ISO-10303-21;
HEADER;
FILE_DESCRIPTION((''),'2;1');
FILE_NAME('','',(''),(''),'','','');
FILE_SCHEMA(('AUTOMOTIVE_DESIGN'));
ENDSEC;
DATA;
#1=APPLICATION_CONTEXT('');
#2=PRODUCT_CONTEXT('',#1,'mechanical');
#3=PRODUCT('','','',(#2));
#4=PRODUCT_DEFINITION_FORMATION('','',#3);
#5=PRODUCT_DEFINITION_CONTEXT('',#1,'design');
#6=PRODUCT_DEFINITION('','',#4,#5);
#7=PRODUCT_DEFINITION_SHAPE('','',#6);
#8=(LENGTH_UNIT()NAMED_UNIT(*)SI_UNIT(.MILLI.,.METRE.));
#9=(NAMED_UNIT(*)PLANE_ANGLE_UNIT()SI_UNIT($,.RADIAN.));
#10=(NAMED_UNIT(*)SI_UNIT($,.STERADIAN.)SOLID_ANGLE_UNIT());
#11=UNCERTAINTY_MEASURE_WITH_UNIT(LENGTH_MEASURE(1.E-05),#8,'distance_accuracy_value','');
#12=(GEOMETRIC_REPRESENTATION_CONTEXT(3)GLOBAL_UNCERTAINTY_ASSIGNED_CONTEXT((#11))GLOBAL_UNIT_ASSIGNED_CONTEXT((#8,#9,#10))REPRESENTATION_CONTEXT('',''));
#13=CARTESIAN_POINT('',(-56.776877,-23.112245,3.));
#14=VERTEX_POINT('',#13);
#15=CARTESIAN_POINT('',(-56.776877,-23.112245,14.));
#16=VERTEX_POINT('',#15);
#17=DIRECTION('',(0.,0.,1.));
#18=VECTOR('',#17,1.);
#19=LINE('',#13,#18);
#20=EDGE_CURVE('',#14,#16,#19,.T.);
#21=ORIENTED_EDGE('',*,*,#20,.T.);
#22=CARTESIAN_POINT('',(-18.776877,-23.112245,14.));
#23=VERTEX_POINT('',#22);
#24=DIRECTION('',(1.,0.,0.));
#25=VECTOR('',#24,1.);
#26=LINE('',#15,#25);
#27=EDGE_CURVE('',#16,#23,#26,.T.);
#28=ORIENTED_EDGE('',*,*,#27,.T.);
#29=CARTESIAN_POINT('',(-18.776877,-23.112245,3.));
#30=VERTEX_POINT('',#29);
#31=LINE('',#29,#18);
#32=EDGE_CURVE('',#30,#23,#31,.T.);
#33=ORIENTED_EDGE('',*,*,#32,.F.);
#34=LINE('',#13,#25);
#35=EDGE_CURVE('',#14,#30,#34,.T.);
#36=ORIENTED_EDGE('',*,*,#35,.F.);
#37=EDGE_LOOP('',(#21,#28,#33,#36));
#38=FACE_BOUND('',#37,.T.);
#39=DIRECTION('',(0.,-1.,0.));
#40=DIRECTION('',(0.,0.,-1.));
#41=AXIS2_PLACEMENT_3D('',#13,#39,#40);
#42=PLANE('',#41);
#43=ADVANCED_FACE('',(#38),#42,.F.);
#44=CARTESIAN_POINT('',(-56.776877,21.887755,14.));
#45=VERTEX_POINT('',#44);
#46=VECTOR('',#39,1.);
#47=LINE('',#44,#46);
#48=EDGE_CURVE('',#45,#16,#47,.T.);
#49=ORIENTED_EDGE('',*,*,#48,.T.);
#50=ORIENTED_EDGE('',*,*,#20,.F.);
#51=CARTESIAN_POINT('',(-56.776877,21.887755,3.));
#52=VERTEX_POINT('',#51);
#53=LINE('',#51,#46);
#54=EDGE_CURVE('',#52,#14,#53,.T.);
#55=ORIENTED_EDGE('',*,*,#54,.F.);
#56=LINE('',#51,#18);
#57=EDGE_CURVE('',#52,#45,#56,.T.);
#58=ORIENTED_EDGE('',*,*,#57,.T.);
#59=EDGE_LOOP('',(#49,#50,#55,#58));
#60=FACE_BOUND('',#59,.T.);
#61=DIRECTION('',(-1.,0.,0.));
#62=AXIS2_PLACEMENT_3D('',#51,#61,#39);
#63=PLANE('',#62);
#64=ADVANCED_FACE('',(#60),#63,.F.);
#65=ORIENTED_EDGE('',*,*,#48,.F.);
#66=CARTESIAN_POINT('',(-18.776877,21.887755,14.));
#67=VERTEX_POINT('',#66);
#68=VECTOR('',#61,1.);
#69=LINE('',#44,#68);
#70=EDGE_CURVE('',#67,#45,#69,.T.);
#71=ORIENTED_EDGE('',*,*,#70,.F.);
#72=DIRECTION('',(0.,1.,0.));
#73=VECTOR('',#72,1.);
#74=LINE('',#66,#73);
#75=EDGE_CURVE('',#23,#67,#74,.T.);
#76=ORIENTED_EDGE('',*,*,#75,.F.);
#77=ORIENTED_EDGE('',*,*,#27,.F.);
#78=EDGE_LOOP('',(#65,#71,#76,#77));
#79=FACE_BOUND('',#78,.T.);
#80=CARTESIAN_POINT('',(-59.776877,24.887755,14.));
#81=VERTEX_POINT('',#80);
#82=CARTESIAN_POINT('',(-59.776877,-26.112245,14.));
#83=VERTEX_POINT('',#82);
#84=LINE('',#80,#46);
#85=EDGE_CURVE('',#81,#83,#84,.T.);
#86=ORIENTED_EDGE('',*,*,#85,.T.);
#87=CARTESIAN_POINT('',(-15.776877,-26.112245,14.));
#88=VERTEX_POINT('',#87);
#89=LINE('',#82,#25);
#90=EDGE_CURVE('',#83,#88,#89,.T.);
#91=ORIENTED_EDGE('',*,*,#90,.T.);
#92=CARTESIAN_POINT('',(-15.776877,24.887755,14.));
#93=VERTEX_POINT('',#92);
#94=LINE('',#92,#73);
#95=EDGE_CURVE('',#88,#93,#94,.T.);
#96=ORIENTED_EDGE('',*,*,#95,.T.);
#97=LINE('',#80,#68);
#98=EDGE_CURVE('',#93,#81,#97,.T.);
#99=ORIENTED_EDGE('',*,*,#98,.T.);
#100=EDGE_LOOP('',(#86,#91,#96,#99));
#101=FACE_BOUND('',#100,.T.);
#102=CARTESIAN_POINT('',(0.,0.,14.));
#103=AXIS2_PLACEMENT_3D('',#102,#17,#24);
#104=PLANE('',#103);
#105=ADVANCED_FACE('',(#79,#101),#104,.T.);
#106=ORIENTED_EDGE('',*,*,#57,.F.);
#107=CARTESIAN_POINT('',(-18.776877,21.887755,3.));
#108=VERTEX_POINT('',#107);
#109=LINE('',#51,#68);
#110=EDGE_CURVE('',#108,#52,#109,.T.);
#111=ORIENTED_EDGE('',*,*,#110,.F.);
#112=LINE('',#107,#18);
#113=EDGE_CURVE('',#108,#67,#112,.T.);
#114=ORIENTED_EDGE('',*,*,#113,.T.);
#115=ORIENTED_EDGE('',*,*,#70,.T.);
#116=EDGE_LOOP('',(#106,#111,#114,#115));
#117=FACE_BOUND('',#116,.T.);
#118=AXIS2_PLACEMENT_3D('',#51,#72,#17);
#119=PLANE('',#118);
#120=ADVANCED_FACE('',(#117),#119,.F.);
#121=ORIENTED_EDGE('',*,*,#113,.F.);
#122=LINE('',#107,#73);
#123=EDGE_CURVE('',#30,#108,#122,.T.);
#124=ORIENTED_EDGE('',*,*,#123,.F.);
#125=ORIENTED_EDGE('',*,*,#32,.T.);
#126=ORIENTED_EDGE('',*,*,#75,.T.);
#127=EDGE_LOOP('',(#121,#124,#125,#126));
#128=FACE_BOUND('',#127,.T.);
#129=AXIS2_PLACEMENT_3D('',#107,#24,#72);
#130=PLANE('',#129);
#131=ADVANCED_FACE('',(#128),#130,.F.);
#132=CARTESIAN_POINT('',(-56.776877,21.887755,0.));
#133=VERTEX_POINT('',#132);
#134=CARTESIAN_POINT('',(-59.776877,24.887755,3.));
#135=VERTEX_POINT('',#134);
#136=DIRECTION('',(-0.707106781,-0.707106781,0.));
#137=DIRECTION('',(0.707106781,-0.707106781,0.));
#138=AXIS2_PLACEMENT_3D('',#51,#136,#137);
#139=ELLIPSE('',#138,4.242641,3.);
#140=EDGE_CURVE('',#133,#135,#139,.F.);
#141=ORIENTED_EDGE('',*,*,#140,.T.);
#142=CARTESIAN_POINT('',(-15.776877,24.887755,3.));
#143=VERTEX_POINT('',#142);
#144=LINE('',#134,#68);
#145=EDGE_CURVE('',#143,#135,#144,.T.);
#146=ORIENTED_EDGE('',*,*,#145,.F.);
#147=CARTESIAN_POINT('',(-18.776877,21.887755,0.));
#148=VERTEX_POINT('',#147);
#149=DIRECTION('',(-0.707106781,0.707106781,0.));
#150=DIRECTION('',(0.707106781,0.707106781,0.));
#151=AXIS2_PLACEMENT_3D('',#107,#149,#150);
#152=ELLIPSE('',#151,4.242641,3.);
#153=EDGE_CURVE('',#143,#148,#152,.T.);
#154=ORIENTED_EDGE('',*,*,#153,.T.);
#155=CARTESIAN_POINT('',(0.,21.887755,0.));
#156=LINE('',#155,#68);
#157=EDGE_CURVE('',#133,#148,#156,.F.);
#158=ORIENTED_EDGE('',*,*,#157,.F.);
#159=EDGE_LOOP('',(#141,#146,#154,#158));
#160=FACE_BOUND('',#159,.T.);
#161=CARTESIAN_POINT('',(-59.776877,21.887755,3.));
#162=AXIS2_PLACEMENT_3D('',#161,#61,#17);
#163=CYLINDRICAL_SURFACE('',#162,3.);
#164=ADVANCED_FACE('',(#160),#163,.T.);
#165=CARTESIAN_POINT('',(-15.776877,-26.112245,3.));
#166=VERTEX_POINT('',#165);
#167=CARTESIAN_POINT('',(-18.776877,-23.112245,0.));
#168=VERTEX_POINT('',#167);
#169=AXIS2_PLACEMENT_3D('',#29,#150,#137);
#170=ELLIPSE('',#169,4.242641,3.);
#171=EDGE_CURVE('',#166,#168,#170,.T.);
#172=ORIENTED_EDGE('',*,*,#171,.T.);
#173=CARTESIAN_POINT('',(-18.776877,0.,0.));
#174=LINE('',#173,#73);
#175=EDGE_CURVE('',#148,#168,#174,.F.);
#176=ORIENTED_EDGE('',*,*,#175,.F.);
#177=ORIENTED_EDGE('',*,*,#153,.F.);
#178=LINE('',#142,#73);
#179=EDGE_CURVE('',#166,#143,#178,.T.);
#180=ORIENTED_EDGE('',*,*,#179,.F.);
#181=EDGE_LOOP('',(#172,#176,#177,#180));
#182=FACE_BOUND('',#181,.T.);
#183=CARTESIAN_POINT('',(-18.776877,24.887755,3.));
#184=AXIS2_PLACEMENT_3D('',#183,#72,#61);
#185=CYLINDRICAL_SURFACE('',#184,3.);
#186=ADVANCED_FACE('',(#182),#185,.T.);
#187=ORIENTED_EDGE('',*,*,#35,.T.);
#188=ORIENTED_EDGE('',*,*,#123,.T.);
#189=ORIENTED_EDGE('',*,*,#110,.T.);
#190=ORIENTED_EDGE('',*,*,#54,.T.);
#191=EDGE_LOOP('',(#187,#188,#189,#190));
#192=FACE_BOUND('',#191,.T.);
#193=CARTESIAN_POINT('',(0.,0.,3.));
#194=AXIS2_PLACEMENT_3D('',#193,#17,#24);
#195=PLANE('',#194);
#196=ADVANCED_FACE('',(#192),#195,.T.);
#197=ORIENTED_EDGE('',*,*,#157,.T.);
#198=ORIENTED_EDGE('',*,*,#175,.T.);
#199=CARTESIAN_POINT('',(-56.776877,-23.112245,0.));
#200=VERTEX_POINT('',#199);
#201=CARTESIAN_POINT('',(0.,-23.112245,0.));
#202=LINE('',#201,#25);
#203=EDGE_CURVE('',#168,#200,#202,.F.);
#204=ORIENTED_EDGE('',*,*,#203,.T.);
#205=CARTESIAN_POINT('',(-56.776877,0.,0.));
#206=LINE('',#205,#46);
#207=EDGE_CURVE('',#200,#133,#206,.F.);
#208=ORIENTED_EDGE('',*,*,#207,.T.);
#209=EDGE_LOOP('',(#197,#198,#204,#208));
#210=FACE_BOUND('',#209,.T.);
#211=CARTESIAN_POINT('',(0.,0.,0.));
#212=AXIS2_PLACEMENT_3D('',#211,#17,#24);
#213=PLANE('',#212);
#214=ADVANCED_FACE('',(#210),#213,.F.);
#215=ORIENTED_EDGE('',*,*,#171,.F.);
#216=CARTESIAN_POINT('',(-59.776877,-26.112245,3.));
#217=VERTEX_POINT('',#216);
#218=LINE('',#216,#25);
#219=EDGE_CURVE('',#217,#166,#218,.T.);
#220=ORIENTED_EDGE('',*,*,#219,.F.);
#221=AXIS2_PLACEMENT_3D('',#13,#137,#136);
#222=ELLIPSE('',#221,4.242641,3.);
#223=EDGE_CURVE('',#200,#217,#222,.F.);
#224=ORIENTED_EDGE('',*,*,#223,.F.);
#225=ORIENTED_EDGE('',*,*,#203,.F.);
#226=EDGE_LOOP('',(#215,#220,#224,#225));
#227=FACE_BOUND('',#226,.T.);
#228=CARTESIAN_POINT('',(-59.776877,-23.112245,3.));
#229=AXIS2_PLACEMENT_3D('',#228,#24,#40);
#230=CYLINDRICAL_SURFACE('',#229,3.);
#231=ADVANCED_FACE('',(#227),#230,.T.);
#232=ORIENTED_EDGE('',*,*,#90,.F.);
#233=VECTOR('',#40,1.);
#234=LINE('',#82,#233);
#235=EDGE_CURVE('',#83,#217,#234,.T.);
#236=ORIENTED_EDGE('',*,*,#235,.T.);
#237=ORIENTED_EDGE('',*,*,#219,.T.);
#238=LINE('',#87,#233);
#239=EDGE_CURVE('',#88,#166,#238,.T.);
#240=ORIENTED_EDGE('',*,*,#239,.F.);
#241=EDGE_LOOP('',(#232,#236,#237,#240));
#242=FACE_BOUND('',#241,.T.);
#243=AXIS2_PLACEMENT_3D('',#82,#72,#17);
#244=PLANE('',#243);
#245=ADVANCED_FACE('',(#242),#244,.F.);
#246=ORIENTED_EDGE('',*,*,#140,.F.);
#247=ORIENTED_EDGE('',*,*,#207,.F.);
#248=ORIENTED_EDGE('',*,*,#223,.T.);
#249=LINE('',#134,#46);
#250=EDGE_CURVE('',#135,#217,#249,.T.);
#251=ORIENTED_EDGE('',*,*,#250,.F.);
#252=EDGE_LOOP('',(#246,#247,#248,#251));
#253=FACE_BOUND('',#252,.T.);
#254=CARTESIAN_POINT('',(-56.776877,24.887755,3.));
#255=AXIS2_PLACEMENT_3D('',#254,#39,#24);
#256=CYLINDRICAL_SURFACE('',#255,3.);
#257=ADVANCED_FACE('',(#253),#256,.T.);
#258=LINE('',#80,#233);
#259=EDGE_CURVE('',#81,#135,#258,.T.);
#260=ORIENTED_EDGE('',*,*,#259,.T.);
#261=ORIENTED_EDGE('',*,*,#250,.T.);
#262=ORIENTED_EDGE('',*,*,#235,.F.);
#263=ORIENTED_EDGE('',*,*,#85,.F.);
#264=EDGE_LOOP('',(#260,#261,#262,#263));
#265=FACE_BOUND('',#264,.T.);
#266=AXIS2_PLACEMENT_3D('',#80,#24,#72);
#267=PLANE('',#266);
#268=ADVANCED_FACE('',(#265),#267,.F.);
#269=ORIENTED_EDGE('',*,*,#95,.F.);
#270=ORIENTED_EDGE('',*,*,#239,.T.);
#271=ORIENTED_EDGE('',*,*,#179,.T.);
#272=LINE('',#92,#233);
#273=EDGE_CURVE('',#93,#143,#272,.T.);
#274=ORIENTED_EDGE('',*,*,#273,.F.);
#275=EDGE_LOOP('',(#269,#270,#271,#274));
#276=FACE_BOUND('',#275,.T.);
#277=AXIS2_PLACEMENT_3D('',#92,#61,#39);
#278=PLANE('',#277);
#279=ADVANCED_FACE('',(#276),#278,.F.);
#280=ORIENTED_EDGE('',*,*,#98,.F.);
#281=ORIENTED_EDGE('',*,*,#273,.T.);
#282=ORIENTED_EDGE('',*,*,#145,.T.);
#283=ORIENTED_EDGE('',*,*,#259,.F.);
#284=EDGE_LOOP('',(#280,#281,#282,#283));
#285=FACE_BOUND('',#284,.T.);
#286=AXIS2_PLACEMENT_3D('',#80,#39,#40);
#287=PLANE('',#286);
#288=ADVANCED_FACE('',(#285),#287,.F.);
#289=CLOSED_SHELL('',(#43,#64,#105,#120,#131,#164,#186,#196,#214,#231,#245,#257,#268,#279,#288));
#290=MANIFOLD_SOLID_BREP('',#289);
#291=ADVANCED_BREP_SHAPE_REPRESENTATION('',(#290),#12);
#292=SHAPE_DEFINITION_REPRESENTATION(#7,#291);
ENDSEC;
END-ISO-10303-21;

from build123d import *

# Parameters (mm, degrees)
SKETCH_1_W          = 44
SKETCH_1_H          = 51
EXTRUDE_2_DEPTH     = 14
SKETCH_2_W          = 38
SKETCH_2_H          = 45
CUT_EXTRUDE_1_DEPTH = 11
FILLET_1_R          = 3


with BuildPart() as part:
    # 草圖1 → 填料-伸長2 (new body)
    with BuildSketch(Plane.XY):
        with Locations((-37.776876722, -0.612244898)):
            Rectangle(SKETCH_1_W, SKETCH_1_H)
    extrude(amount=EXTRUDE_2_DEPTH)

    # 草圖2 → 除料-伸長1 (cut)
    with BuildSketch(Plane.XY.offset(14)):
        with Locations((-37.776876722, -0.612244898)):
            Rectangle(SKETCH_2_W, SKETCH_2_H)
    extrude(amount=-CUT_EXTRUDE_1_DEPTH, mode=Mode.SUBTRACT)

    # 圓角1
    fillet_1_edges = [part.edges().sort_by_distance(p)[0] for p in [
        (-37.776876722, 24.887755102, 0),
        (-15.776876722, -0.612244898, 0),
        (-37.776876722, -26.112244898, 0),
        (-59.776876722, -0.612244898, 0),
    ]]
    fillet(fillet_1_edges, radius=FILLET_1_R)


solid = part.part
